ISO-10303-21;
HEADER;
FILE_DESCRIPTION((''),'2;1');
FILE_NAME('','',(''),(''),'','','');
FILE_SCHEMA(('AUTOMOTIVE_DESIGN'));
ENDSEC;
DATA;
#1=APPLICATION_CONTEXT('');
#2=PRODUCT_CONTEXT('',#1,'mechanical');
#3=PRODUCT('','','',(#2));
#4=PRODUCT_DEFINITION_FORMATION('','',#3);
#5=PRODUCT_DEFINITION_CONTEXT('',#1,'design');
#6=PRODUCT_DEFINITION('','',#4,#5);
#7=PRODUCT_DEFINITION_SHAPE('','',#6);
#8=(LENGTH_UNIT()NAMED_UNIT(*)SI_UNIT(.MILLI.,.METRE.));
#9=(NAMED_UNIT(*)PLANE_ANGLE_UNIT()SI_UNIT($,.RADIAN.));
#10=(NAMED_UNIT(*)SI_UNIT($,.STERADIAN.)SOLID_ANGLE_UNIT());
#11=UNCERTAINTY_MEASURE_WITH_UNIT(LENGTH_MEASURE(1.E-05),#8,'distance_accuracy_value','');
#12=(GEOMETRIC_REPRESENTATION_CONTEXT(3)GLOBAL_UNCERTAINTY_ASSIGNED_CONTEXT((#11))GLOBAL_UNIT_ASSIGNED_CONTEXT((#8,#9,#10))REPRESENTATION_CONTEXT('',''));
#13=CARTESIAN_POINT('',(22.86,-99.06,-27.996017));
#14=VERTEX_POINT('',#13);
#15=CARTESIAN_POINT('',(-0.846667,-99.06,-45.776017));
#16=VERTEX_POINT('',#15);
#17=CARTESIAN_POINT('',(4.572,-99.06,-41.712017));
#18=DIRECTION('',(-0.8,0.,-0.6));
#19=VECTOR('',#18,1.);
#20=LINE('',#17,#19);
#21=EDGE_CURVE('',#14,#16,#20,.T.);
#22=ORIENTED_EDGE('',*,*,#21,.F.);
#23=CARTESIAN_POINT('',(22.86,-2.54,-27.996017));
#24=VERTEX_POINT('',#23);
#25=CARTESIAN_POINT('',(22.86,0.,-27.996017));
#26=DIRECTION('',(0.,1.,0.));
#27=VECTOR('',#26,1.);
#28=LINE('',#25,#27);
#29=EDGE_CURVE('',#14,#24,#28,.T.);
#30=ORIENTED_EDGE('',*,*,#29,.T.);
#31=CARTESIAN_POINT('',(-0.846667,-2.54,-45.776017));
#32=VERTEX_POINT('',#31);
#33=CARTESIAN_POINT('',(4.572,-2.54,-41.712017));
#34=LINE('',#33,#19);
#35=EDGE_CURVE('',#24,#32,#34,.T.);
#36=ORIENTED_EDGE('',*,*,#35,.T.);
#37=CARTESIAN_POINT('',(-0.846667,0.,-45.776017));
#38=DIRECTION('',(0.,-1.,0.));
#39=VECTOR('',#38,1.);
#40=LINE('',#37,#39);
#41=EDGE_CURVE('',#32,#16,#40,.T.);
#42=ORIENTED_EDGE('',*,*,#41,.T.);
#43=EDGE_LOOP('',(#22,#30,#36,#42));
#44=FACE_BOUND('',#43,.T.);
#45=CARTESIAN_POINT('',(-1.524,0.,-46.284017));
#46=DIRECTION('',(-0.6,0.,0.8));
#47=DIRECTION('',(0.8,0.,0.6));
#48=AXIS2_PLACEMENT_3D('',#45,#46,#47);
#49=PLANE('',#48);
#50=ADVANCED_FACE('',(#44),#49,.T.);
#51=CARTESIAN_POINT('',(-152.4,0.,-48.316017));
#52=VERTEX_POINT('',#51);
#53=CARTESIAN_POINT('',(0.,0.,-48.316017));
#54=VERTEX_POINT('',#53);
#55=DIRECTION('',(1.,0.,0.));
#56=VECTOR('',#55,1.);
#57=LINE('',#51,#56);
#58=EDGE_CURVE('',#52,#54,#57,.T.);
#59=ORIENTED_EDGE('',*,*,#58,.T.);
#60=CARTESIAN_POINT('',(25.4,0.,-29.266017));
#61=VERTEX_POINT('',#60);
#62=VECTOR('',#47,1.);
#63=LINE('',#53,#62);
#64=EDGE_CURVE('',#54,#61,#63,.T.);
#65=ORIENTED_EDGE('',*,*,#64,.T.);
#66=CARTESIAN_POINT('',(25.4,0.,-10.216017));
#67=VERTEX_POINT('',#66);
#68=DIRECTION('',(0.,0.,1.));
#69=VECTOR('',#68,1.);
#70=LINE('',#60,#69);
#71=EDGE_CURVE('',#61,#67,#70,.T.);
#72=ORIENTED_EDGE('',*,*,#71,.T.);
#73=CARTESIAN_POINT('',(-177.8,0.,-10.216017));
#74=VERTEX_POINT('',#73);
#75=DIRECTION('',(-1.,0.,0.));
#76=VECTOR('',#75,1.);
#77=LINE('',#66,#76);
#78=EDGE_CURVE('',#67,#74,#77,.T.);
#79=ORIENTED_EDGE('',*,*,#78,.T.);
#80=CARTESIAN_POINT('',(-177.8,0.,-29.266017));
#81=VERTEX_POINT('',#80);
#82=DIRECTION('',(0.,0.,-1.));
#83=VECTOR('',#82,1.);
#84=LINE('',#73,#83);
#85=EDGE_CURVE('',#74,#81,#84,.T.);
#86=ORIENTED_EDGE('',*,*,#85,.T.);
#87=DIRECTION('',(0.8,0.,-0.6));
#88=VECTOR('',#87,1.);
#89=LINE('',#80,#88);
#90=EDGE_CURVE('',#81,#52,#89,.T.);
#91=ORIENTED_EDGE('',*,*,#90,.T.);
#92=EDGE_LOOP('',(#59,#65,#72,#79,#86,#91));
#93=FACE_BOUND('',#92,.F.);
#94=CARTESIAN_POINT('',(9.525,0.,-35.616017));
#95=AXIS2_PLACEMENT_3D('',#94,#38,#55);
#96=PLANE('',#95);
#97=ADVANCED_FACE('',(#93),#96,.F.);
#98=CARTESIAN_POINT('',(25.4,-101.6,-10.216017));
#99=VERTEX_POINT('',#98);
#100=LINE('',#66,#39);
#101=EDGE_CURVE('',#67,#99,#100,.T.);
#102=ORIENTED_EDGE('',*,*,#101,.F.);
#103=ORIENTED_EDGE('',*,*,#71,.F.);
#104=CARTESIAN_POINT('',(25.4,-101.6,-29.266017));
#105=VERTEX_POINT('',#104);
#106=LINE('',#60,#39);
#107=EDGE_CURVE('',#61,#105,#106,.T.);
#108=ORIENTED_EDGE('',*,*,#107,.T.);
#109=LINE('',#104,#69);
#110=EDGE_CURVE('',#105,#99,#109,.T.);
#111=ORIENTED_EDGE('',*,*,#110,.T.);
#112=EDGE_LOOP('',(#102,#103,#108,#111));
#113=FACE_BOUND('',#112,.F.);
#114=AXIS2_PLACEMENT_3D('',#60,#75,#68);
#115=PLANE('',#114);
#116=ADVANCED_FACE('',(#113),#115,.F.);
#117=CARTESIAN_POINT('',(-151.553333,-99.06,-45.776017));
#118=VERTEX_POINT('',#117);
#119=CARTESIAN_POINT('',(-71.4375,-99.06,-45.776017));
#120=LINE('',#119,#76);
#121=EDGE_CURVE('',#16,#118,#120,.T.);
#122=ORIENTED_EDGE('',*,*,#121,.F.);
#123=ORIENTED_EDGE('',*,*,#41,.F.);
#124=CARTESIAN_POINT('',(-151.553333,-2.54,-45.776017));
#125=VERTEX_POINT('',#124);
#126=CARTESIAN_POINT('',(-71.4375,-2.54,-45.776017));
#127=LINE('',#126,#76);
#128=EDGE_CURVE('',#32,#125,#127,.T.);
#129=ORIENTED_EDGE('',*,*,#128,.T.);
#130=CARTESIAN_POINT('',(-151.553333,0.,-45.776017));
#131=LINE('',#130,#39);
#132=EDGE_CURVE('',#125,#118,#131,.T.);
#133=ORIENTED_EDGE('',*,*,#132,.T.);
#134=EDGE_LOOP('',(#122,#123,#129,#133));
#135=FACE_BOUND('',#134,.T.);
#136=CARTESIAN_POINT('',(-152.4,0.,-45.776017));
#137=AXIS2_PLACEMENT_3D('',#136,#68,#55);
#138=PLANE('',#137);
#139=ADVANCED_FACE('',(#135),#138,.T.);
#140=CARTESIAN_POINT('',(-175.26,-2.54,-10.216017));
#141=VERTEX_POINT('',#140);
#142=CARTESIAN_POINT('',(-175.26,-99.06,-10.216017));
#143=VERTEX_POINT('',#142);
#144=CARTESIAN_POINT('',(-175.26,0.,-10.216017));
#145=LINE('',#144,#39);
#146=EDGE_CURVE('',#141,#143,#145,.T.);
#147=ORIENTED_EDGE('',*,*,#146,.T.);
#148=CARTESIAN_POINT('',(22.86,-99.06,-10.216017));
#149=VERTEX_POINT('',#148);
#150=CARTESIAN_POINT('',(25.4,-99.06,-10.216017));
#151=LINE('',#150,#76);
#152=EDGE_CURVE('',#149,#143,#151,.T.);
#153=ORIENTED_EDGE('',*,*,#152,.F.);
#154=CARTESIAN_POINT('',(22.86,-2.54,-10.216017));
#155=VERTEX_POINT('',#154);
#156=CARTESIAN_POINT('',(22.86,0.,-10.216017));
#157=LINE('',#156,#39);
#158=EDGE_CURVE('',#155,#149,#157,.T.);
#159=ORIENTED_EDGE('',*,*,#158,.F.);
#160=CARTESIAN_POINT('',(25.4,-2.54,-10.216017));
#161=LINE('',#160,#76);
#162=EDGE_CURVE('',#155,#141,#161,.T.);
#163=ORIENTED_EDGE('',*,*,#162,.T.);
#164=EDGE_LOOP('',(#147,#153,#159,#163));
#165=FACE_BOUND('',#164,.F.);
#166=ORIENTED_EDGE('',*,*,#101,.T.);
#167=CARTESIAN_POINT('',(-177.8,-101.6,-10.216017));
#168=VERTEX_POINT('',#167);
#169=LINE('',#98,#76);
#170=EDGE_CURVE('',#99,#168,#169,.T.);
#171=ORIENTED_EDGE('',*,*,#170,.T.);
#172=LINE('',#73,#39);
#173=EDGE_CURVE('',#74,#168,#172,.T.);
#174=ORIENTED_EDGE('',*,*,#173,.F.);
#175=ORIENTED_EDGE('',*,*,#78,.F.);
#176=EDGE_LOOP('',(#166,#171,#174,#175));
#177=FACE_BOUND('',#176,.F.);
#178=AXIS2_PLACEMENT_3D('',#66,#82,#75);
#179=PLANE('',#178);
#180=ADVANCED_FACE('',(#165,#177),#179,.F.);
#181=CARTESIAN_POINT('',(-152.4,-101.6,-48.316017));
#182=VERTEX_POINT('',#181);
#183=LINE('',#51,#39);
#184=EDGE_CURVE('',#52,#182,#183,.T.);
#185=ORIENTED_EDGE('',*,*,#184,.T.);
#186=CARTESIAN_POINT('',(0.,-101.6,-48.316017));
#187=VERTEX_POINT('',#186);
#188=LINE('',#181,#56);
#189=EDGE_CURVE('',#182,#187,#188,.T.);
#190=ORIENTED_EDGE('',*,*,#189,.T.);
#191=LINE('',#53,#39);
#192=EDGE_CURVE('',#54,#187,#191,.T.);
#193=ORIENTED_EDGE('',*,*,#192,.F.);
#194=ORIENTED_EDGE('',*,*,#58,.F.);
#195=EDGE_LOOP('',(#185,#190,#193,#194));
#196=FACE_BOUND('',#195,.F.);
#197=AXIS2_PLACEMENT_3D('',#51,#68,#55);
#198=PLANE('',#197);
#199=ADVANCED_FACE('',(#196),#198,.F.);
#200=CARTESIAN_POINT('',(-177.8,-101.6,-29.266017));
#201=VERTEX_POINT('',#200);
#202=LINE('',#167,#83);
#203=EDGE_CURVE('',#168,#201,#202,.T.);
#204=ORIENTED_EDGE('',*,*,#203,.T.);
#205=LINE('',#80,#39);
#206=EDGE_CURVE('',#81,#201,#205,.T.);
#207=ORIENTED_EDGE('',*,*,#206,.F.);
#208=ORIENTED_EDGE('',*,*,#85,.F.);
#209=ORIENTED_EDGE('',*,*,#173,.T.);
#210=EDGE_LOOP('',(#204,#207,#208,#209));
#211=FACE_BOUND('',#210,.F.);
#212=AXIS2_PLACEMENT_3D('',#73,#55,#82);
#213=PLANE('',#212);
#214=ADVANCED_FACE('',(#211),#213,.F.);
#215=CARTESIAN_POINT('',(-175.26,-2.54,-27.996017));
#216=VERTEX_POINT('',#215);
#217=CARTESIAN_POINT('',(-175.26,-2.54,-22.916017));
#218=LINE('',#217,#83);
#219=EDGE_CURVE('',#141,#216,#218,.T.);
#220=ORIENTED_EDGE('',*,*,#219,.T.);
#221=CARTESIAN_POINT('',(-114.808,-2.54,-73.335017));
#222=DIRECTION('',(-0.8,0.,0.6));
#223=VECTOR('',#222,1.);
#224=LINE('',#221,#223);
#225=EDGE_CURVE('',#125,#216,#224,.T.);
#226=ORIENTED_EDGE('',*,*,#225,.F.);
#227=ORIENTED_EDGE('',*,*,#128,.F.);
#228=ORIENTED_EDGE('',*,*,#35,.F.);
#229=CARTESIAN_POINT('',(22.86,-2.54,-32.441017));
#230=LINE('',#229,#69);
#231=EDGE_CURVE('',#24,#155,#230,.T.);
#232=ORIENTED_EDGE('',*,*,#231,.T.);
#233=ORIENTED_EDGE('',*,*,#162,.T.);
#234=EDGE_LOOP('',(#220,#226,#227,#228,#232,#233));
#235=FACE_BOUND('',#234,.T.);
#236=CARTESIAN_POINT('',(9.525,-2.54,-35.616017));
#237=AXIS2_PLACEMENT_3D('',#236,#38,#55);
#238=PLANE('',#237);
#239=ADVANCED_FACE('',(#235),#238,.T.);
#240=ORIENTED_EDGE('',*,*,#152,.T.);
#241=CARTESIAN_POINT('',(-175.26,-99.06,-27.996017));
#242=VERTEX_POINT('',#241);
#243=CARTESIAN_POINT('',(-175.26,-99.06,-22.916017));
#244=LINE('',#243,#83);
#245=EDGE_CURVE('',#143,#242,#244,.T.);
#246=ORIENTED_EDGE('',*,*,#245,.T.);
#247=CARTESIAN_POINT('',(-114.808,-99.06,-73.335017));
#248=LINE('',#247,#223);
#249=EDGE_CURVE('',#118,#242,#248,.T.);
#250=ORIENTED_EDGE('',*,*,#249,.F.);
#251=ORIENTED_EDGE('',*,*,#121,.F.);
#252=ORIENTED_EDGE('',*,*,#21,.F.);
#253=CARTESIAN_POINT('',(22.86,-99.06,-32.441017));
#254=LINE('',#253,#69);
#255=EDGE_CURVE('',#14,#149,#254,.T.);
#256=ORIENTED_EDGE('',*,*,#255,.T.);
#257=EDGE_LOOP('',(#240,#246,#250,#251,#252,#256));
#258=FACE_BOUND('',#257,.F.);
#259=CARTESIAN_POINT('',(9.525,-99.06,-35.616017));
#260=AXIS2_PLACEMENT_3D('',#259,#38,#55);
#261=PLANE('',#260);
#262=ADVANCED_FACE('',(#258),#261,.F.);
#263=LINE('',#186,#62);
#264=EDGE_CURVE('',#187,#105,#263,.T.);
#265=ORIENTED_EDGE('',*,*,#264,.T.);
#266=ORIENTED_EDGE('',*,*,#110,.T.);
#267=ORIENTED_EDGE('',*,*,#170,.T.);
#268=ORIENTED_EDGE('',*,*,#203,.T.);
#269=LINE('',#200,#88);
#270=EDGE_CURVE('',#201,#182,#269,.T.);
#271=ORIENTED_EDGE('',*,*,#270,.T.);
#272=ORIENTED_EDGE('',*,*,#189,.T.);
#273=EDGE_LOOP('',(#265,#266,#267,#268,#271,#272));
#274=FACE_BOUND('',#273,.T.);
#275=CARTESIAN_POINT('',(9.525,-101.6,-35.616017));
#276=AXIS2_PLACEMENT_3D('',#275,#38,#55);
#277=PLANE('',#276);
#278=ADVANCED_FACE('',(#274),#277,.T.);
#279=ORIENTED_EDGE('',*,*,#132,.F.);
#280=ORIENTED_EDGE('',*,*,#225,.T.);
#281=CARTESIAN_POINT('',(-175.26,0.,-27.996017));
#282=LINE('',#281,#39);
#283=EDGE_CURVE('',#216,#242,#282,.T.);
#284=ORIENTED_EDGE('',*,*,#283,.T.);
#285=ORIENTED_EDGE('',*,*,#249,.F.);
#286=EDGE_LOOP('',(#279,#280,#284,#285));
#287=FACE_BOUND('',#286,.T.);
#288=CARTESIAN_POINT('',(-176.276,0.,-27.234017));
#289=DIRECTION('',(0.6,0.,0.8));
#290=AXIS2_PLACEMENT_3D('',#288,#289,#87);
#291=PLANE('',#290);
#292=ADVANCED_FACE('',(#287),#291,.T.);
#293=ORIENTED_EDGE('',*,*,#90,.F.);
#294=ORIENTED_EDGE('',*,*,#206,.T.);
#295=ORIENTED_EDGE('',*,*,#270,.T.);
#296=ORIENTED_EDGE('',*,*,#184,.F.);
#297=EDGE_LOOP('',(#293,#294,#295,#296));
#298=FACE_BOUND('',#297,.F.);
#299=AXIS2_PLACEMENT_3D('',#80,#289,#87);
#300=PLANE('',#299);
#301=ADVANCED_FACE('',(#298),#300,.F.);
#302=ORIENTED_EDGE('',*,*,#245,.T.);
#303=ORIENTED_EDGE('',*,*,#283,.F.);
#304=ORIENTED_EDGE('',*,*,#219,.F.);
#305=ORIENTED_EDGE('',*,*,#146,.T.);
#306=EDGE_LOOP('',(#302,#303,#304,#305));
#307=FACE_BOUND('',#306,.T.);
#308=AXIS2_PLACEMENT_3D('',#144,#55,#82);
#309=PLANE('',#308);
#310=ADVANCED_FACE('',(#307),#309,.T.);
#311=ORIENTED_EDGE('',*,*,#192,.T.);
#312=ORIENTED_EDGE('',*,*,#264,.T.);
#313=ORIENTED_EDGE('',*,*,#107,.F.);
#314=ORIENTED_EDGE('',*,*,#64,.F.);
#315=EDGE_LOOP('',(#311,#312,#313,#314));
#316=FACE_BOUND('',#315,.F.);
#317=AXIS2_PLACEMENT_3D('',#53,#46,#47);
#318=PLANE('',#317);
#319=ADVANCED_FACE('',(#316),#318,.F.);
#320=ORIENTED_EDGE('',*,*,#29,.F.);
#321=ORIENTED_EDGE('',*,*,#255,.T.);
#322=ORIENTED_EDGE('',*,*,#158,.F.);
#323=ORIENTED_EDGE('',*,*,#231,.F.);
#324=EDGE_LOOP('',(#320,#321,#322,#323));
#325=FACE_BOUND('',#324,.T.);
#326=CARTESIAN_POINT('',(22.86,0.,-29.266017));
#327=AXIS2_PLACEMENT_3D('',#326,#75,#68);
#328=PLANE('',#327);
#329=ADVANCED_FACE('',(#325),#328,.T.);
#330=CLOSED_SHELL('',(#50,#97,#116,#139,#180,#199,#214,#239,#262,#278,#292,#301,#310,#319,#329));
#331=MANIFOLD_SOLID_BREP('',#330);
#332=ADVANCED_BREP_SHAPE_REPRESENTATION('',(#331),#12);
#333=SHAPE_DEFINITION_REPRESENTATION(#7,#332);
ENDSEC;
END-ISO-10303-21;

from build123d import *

# Parameters (mm, degrees)
F1_DEPTH = 101.6
F2_T     = -2.54


with BuildPart() as f1:
    # F0 (on Front) → F1 (new body)
    with BuildSketch(Plane.XZ):
        Polygon((0, -29.266017), (0, -48.316017), (25.4, -29.266017), align=None)
        Polygon((-177.8, -29.266017), (-152.4, -48.316017), (-152.4, -29.266017), align=None)
        Polygon((-152.4, -29.266017), (-152.4, -48.316017), (0, -48.316017), (0, -29.266017), (25.4, -29.266017), (25.4, -10.216017), (-177.8, -10.216017), (-177.8, -29.266017), align=None)
    extrude(amount=F1_DEPTH)

    # F2
    f2_openings = [f1.faces().sort_by_distance(p)[0] for p in [
        (-76.2, -50.8, -10.216017),
    ]]
    offset(amount=F2_T, openings=f2_openings)


solid = f1.part
